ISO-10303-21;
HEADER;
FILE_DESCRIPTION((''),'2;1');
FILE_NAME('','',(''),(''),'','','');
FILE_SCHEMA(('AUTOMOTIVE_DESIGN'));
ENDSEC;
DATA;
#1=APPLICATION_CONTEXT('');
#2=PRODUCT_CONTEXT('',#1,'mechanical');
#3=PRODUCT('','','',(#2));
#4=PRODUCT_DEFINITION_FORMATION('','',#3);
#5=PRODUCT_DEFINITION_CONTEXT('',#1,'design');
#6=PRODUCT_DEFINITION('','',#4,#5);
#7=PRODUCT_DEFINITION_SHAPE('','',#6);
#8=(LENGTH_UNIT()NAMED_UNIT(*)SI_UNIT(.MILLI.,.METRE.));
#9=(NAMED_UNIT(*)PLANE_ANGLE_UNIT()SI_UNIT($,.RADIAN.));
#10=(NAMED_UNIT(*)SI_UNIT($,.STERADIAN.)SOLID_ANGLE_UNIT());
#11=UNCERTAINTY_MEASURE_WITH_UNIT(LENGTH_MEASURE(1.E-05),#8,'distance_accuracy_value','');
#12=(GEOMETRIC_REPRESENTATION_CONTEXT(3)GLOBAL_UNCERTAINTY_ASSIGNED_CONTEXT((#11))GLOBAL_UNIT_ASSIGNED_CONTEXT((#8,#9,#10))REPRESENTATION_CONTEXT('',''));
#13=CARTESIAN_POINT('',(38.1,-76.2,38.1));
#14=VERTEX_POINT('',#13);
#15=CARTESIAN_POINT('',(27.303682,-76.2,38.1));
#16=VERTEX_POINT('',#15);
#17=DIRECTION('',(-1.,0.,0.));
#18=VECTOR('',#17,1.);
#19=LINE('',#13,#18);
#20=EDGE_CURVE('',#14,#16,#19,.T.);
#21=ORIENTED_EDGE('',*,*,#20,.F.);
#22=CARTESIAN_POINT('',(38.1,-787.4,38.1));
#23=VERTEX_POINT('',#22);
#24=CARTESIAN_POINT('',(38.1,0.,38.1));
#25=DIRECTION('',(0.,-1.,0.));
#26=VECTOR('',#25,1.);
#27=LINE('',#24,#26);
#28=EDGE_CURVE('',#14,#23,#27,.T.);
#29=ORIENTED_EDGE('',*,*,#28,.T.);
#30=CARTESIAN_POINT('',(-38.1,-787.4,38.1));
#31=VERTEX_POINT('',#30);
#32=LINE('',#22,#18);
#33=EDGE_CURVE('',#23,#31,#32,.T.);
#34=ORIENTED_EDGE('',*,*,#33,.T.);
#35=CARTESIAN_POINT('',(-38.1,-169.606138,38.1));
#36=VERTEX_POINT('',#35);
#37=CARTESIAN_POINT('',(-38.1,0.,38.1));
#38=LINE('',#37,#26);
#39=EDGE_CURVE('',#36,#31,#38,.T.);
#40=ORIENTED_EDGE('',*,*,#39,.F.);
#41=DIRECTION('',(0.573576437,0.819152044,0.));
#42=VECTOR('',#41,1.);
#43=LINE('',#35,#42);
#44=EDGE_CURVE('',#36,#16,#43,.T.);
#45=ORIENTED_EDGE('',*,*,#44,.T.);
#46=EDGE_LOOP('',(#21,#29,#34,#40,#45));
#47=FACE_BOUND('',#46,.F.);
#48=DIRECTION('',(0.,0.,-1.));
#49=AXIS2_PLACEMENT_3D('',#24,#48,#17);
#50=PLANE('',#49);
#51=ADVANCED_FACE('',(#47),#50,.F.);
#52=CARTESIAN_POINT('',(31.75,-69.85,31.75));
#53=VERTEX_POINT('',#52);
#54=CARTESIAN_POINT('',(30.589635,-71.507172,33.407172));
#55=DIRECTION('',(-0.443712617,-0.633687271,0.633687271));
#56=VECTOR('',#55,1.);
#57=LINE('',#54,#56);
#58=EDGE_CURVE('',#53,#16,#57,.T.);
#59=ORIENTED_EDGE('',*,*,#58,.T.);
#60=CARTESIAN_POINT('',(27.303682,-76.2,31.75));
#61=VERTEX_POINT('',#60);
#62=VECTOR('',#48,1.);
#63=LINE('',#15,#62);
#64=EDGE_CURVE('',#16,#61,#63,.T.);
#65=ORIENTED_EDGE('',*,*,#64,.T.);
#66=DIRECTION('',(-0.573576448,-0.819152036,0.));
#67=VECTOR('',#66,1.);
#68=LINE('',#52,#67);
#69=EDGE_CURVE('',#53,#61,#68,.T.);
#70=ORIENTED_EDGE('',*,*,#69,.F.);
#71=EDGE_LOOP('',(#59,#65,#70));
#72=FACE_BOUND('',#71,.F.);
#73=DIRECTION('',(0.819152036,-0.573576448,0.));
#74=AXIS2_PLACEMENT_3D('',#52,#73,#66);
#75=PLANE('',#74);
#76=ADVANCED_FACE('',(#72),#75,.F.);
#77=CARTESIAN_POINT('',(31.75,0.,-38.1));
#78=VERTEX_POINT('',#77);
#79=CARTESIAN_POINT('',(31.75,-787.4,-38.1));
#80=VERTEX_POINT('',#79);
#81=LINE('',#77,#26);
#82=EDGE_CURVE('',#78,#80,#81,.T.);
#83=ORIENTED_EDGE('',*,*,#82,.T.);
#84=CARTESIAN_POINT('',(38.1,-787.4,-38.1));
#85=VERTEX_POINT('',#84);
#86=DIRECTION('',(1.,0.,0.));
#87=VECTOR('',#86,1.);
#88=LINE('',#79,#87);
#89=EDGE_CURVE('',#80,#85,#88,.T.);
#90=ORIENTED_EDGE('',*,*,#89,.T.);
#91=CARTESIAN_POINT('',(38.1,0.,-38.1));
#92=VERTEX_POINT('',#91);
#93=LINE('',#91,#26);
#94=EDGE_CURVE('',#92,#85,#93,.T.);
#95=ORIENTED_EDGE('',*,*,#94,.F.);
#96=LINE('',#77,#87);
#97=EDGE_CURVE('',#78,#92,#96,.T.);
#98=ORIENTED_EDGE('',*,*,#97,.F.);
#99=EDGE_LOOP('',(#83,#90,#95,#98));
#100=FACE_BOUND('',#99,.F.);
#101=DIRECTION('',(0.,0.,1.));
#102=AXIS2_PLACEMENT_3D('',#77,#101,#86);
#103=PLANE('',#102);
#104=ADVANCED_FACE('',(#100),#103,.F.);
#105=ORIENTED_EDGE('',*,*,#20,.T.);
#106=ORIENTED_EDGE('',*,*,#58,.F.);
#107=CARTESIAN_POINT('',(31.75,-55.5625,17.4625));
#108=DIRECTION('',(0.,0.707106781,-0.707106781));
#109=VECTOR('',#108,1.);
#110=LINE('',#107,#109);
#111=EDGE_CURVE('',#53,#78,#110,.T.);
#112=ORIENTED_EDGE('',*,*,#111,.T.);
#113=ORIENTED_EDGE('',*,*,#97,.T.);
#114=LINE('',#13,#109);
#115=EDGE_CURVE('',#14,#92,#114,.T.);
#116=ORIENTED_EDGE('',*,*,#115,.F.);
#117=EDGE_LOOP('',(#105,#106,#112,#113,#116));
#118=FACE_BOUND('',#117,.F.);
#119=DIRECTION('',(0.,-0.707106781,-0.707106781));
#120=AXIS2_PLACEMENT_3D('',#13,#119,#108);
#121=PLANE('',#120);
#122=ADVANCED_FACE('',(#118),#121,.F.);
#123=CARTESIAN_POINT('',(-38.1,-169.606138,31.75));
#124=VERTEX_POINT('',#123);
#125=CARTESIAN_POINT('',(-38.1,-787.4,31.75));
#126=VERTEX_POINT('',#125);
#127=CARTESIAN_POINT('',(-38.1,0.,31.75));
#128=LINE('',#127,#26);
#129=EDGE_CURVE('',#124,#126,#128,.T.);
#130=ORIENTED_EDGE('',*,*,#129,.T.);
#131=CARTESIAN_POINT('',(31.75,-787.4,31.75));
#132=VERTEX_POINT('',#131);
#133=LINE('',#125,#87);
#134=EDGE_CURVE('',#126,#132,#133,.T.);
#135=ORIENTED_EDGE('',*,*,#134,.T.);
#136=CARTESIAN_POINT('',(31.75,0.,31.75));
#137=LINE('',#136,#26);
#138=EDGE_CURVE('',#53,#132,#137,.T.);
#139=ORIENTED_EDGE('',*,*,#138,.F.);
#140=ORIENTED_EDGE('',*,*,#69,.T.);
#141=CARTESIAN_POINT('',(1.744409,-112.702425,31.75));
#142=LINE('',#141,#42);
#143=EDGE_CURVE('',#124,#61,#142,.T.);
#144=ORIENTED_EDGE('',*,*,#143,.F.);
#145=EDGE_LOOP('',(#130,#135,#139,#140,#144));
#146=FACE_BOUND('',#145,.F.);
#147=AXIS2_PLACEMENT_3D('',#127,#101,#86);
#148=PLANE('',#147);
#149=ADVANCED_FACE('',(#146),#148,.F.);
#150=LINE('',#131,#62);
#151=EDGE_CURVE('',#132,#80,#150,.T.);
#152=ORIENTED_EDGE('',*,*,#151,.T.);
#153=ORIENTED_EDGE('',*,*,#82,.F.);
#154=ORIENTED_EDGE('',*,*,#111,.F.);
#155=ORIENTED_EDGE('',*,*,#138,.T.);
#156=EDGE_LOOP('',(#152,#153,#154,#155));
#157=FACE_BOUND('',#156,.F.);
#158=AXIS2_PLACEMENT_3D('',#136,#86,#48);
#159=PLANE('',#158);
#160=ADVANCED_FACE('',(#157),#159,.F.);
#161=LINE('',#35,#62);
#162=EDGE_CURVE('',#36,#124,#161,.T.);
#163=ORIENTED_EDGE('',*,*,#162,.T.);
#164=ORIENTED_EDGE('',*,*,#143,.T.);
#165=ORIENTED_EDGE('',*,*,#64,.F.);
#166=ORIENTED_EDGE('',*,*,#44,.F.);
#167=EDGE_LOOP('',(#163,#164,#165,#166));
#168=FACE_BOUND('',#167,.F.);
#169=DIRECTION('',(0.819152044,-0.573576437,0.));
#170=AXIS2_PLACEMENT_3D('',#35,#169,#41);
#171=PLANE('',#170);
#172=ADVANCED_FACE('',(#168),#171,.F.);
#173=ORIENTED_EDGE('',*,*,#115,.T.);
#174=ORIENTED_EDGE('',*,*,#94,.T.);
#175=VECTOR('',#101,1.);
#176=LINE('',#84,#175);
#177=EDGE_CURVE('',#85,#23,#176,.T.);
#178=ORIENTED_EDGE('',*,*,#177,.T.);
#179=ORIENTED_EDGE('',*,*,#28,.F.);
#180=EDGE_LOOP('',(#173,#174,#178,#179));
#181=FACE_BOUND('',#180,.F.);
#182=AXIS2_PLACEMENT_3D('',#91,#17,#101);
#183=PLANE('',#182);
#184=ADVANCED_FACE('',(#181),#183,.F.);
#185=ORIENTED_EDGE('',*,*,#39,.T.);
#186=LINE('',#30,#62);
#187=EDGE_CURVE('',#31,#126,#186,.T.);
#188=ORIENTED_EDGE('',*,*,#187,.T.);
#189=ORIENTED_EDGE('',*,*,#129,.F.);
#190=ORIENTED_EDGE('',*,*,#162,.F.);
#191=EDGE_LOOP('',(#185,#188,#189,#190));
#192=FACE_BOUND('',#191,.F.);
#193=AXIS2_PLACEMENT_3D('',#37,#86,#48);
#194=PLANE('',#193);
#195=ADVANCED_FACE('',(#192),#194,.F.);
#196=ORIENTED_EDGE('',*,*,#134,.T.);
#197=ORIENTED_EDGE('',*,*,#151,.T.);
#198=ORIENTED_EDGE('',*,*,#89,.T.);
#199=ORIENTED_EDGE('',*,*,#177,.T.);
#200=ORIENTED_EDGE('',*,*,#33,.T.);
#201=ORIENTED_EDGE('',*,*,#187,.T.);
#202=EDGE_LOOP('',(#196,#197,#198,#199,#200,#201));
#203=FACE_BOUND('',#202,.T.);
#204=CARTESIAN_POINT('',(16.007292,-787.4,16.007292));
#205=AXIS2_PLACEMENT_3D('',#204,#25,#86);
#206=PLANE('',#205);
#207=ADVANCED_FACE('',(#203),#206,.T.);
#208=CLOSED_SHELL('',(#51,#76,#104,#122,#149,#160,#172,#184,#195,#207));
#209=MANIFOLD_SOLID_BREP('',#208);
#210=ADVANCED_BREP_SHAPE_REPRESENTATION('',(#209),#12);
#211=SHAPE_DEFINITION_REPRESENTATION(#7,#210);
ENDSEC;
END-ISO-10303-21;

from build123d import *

# Parameters (mm, degrees)
F1_DEPTH = 787.4
F3_DEPTH = 76.2
F5_DEPTH = 25.4
F7_DEPTH = 25.4


with BuildPart() as f1:
    # F0 (on Front) → F1 (new body)
    with BuildSketch(Plane.XZ):
        Polygon((31.75, -38.1), (38.1, -38.1), (38.1, 38.1), (-38.1, 38.1), (-38.1, 31.75), (31.75, 31.75), align=None)
    extrude(amount=F1_DEPTH)

    # F2 (on face) → F3 (cut)
    with BuildSketch(Plane.YZ.offset(38.1)):
        Polygon((-76.2, 38.1), (0, -38.1), (0, 38.1), align=None)
    extrude(amount=-F3_DEPTH, mode=Mode.SUBTRACT)

    # F4 (on face) → F5 (cut)
    with BuildSketch(Plane.XY.offset(38.1)):
        Polygon((-38.1, -169.606138), (27.303682, -76.2), (-38.1, -76.2), align=None)
    extrude(amount=-F5_DEPTH, mode=Mode.SUBTRACT)

    # F6 (on face) → F7 (cut)
    with BuildSketch(Plane(origin=(0, 0, 31.75), x_dir=(1, 0, 0), z_dir=(0, 0, -1))):
        Polygon((-38.1, 69.85), (31.75, 69.85), (27.303682, 76.2), (-38.1, 76.2), align=None)
    extrude(amount=-F7_DEPTH, mode=Mode.SUBTRACT)


solid = f1.part
